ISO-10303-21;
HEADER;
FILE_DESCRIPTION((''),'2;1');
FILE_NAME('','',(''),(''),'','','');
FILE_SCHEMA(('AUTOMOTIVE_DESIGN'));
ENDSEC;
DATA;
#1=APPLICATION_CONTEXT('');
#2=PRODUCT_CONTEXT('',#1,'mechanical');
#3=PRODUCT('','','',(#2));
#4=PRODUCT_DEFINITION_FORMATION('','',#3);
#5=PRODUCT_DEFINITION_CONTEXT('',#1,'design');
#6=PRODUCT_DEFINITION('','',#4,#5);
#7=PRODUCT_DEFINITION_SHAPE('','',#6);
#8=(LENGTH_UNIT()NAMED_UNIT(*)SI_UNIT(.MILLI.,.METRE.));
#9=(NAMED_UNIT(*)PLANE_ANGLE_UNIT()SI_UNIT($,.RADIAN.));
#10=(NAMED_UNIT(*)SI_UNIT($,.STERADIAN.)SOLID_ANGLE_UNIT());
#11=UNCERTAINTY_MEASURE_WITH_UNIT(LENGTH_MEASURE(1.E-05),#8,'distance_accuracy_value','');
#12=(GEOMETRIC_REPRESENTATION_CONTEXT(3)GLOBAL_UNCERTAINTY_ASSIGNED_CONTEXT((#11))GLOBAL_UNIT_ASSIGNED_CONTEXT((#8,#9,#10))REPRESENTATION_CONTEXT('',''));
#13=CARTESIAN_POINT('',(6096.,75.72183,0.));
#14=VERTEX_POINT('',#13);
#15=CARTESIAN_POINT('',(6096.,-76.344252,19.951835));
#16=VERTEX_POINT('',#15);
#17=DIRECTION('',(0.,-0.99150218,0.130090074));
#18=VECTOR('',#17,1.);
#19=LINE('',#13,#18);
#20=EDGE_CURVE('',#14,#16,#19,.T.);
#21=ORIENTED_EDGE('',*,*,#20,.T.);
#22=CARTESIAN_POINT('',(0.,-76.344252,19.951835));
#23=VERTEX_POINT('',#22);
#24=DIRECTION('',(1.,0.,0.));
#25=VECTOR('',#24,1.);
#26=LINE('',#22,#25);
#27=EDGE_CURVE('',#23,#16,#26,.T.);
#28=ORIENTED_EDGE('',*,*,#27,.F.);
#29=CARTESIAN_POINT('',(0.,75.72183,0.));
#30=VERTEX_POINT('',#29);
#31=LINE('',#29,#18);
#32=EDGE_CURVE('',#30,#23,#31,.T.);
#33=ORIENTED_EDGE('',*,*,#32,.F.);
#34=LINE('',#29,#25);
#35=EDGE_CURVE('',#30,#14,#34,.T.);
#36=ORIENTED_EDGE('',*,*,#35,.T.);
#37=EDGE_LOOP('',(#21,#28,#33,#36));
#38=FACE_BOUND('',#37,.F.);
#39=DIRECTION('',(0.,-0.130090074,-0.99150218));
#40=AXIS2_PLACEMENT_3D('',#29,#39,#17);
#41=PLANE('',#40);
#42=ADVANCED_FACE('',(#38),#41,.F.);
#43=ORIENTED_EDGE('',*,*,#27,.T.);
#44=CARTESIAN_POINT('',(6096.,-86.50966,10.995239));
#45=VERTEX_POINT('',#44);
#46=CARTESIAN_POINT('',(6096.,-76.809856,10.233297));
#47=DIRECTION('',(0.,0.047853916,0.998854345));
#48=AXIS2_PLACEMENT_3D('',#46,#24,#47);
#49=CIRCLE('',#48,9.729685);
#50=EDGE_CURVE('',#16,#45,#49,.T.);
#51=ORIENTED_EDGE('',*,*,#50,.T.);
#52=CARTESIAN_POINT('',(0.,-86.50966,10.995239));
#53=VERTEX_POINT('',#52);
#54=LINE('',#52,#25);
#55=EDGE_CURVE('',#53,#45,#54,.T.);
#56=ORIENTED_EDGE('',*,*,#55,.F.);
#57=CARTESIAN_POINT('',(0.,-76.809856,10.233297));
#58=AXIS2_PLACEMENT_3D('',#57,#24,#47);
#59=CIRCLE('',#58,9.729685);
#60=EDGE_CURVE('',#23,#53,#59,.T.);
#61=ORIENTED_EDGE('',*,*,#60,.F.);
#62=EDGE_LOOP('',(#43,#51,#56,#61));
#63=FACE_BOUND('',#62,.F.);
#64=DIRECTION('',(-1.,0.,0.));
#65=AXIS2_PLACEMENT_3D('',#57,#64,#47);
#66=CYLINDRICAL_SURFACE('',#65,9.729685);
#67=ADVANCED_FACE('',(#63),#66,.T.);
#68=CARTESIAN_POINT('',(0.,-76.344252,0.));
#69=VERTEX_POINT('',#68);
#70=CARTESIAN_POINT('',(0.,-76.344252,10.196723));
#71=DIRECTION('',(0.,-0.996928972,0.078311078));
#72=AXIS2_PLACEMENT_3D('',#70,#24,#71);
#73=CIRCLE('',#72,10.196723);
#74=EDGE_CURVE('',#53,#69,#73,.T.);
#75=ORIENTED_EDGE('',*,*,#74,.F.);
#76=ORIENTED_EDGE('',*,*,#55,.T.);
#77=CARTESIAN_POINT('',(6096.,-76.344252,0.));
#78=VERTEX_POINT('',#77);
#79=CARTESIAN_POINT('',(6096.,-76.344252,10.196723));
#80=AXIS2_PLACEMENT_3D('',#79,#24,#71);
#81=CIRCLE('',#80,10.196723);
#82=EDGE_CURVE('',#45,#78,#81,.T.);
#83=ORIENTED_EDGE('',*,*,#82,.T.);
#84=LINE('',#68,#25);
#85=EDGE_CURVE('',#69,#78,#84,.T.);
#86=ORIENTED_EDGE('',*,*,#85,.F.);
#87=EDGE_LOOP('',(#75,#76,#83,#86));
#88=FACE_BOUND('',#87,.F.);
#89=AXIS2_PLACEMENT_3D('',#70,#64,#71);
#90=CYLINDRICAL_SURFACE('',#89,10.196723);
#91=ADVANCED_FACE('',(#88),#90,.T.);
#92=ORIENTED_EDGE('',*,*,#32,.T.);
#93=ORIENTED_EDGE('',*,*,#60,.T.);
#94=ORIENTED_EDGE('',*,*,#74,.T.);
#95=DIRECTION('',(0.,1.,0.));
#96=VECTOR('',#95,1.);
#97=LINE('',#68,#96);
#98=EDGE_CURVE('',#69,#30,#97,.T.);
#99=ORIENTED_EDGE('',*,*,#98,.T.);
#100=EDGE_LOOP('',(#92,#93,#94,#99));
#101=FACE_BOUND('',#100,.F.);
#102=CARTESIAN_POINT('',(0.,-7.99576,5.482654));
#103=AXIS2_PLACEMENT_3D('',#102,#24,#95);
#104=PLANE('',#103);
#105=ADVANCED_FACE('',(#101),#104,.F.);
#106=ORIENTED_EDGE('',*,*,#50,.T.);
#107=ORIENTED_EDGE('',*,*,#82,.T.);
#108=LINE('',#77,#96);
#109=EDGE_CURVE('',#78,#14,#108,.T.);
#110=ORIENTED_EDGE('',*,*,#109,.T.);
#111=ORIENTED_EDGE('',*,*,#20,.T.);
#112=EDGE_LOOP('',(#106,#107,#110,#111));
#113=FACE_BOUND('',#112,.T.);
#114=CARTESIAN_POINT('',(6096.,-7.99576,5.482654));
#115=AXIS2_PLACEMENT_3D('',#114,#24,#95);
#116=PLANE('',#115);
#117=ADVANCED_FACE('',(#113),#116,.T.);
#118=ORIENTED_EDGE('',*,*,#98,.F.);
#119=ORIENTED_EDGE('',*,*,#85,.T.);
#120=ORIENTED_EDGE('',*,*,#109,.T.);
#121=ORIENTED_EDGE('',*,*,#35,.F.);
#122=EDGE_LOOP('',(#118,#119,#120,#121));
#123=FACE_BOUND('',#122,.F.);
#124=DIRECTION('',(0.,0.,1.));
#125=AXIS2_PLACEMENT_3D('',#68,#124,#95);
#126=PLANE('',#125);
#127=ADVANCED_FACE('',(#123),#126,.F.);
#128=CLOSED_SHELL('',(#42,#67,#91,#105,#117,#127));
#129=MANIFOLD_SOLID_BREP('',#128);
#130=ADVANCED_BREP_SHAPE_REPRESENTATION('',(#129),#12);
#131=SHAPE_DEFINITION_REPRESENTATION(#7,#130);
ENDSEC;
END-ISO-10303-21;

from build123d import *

# Parameters (mm, degrees)
F1_DEPTH = 6096


with BuildPart() as f1:
    # F0 (on Right) → F1 (new body)
    with BuildSketch(Plane.YZ):
        with BuildLine():
            ThreePointArc((-86.50966, 10.995239), (-83.831421, 3.274624), (-76.344252, 0))
            Line((-76.344252, 0), (75.72183, 0))
            Line((75.72183, 0), (-76.344252, 19.951835))
            ThreePointArc((-76.344252, 19.951835), (-83.242022, 17.533571), (-86.50966, 10.995239))
        make_face()
    extrude(amount=F1_DEPTH)


solid = f1.part
